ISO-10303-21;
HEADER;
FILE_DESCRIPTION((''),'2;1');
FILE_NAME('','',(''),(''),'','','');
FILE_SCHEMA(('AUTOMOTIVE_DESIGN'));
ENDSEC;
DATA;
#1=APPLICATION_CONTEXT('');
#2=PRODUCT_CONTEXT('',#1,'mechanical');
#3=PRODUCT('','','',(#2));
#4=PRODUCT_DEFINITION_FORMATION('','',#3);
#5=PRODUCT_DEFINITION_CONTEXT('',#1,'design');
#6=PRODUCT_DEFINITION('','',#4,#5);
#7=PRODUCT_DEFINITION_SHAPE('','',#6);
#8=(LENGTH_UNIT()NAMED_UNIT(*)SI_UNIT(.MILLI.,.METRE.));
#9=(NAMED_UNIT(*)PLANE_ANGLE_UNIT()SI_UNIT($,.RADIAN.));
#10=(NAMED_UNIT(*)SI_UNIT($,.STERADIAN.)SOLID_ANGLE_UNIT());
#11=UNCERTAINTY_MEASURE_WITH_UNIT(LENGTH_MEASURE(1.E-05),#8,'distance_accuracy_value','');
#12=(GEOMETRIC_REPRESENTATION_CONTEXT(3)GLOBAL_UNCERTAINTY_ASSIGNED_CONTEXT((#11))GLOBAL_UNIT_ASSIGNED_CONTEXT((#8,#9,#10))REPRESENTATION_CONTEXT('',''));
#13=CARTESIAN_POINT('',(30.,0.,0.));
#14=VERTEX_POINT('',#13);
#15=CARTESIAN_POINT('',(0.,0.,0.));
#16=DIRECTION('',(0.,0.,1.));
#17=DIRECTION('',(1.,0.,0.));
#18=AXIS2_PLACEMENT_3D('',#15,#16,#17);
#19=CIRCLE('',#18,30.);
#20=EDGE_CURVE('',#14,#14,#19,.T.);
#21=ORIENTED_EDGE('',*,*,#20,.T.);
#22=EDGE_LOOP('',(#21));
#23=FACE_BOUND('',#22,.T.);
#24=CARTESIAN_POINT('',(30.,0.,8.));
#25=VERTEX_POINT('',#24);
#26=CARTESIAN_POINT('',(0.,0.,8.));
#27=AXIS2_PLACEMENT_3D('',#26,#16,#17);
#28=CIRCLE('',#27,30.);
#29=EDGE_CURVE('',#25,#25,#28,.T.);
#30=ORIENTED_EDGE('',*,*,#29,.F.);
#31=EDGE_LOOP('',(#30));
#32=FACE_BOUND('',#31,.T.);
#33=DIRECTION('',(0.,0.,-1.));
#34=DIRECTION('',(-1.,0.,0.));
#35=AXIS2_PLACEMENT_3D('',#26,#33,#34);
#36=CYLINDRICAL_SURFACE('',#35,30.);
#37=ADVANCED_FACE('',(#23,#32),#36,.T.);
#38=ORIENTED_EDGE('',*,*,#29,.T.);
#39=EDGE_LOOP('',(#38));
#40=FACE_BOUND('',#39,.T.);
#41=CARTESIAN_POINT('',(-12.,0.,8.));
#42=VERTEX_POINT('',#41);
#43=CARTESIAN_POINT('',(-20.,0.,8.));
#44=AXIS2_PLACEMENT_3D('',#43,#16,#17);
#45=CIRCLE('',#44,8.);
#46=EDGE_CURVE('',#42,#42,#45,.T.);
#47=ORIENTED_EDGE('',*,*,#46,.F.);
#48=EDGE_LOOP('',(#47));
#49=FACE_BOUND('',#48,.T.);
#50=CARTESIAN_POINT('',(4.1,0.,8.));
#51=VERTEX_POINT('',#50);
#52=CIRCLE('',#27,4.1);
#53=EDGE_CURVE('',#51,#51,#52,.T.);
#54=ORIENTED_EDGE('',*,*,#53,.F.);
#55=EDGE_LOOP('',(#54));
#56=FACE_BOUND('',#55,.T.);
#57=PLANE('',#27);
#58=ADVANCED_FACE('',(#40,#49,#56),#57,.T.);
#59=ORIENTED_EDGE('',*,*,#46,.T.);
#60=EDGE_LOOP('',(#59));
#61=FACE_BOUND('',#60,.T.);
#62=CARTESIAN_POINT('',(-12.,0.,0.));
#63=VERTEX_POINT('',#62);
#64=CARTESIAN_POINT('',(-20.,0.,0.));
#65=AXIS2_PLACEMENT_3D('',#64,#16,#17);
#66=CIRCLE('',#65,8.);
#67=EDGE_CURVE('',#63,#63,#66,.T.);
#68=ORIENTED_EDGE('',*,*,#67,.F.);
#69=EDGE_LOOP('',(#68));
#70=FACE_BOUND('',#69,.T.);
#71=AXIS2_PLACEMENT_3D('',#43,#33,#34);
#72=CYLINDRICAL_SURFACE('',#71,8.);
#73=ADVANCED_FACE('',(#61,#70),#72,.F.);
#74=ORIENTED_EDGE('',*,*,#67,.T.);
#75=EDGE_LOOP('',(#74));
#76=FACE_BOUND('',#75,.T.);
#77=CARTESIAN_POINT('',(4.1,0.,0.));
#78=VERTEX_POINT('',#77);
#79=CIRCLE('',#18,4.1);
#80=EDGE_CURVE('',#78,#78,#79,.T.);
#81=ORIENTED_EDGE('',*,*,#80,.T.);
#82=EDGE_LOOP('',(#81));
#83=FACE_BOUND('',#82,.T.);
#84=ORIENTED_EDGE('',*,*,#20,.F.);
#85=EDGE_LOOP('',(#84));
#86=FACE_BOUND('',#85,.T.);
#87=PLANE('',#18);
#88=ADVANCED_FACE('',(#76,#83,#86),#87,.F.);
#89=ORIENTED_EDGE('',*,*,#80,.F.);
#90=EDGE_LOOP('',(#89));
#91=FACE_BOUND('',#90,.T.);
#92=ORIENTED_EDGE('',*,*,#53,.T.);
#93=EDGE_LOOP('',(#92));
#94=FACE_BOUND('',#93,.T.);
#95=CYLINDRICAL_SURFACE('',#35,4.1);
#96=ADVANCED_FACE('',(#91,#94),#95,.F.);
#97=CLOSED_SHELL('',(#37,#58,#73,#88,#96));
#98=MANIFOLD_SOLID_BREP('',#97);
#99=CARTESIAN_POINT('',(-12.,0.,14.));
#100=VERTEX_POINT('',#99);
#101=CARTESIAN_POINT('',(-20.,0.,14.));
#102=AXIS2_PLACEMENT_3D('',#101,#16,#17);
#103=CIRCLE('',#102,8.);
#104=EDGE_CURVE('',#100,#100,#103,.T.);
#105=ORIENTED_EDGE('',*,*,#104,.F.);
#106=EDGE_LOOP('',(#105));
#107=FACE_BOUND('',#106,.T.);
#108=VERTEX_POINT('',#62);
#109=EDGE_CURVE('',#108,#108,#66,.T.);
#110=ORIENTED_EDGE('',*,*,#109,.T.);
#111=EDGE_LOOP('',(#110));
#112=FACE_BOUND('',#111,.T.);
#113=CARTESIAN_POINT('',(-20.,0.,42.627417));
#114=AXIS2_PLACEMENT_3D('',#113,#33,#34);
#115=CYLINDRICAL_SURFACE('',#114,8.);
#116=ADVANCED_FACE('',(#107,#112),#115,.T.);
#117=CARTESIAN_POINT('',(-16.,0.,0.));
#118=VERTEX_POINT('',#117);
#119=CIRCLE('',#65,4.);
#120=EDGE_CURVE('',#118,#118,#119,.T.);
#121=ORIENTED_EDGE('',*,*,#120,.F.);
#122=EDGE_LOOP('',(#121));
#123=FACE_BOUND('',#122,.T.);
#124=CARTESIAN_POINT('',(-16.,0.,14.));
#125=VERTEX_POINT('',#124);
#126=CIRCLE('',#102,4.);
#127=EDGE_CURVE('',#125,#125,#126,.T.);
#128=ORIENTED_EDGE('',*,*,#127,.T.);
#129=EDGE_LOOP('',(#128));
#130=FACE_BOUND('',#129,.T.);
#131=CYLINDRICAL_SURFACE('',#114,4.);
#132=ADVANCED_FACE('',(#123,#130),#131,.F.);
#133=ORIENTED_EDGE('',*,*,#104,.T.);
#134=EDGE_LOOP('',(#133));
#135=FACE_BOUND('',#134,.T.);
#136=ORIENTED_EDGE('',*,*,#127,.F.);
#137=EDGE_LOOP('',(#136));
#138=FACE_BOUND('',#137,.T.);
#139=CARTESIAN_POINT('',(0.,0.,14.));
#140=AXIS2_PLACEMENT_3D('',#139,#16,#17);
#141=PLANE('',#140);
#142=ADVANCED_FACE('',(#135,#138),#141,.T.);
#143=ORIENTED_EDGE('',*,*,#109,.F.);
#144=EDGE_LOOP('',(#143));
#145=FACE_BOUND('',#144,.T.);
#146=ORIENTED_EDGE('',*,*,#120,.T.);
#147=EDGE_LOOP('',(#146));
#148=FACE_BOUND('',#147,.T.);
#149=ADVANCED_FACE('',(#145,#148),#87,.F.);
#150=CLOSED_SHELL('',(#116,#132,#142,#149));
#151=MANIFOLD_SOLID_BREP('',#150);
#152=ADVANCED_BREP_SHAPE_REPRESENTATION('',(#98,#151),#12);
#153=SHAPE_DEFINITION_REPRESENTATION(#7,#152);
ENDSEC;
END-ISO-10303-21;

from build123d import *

# Parameters (mm, degrees)
SKETCH_1_R      = 30
SKETCH_1_R_2    = 4.1
SKETCH_1_R_3    = 8
EXTRUDE_3_DEPTH = 8
SKETCH_1_5_R    = 8
SKETCH_1_5_R_2  = 4
EXTRUDE_4_DEPTH = 14


with BuildPart() as part:
    # 草图1 → 凸台-拉伸3 (new body)
    with BuildSketch(Plane.XY):
        Circle(SKETCH_1_R)
        Circle(SKETCH_1_R_2, mode=Mode.SUBTRACT)
        with Locations((-20, 0)):
            Circle(SKETCH_1_R_3, mode=Mode.SUBTRACT)
    extrude(amount=EXTRUDE_3_DEPTH)


with BuildPart() as body_2:
    # 草图1<5> → 凸台-拉伸4 (new body)
    with BuildSketch(Plane.XY):
        with Locations((-20, 0)):
            Circle(SKETCH_1_5_R)
        with Locations((-20, 0)):
            Circle(SKETCH_1_5_R_2, mode=Mode.SUBTRACT)
    extrude(amount=EXTRUDE_4_DEPTH)


solid = Compound([part.part, body_2.part])
